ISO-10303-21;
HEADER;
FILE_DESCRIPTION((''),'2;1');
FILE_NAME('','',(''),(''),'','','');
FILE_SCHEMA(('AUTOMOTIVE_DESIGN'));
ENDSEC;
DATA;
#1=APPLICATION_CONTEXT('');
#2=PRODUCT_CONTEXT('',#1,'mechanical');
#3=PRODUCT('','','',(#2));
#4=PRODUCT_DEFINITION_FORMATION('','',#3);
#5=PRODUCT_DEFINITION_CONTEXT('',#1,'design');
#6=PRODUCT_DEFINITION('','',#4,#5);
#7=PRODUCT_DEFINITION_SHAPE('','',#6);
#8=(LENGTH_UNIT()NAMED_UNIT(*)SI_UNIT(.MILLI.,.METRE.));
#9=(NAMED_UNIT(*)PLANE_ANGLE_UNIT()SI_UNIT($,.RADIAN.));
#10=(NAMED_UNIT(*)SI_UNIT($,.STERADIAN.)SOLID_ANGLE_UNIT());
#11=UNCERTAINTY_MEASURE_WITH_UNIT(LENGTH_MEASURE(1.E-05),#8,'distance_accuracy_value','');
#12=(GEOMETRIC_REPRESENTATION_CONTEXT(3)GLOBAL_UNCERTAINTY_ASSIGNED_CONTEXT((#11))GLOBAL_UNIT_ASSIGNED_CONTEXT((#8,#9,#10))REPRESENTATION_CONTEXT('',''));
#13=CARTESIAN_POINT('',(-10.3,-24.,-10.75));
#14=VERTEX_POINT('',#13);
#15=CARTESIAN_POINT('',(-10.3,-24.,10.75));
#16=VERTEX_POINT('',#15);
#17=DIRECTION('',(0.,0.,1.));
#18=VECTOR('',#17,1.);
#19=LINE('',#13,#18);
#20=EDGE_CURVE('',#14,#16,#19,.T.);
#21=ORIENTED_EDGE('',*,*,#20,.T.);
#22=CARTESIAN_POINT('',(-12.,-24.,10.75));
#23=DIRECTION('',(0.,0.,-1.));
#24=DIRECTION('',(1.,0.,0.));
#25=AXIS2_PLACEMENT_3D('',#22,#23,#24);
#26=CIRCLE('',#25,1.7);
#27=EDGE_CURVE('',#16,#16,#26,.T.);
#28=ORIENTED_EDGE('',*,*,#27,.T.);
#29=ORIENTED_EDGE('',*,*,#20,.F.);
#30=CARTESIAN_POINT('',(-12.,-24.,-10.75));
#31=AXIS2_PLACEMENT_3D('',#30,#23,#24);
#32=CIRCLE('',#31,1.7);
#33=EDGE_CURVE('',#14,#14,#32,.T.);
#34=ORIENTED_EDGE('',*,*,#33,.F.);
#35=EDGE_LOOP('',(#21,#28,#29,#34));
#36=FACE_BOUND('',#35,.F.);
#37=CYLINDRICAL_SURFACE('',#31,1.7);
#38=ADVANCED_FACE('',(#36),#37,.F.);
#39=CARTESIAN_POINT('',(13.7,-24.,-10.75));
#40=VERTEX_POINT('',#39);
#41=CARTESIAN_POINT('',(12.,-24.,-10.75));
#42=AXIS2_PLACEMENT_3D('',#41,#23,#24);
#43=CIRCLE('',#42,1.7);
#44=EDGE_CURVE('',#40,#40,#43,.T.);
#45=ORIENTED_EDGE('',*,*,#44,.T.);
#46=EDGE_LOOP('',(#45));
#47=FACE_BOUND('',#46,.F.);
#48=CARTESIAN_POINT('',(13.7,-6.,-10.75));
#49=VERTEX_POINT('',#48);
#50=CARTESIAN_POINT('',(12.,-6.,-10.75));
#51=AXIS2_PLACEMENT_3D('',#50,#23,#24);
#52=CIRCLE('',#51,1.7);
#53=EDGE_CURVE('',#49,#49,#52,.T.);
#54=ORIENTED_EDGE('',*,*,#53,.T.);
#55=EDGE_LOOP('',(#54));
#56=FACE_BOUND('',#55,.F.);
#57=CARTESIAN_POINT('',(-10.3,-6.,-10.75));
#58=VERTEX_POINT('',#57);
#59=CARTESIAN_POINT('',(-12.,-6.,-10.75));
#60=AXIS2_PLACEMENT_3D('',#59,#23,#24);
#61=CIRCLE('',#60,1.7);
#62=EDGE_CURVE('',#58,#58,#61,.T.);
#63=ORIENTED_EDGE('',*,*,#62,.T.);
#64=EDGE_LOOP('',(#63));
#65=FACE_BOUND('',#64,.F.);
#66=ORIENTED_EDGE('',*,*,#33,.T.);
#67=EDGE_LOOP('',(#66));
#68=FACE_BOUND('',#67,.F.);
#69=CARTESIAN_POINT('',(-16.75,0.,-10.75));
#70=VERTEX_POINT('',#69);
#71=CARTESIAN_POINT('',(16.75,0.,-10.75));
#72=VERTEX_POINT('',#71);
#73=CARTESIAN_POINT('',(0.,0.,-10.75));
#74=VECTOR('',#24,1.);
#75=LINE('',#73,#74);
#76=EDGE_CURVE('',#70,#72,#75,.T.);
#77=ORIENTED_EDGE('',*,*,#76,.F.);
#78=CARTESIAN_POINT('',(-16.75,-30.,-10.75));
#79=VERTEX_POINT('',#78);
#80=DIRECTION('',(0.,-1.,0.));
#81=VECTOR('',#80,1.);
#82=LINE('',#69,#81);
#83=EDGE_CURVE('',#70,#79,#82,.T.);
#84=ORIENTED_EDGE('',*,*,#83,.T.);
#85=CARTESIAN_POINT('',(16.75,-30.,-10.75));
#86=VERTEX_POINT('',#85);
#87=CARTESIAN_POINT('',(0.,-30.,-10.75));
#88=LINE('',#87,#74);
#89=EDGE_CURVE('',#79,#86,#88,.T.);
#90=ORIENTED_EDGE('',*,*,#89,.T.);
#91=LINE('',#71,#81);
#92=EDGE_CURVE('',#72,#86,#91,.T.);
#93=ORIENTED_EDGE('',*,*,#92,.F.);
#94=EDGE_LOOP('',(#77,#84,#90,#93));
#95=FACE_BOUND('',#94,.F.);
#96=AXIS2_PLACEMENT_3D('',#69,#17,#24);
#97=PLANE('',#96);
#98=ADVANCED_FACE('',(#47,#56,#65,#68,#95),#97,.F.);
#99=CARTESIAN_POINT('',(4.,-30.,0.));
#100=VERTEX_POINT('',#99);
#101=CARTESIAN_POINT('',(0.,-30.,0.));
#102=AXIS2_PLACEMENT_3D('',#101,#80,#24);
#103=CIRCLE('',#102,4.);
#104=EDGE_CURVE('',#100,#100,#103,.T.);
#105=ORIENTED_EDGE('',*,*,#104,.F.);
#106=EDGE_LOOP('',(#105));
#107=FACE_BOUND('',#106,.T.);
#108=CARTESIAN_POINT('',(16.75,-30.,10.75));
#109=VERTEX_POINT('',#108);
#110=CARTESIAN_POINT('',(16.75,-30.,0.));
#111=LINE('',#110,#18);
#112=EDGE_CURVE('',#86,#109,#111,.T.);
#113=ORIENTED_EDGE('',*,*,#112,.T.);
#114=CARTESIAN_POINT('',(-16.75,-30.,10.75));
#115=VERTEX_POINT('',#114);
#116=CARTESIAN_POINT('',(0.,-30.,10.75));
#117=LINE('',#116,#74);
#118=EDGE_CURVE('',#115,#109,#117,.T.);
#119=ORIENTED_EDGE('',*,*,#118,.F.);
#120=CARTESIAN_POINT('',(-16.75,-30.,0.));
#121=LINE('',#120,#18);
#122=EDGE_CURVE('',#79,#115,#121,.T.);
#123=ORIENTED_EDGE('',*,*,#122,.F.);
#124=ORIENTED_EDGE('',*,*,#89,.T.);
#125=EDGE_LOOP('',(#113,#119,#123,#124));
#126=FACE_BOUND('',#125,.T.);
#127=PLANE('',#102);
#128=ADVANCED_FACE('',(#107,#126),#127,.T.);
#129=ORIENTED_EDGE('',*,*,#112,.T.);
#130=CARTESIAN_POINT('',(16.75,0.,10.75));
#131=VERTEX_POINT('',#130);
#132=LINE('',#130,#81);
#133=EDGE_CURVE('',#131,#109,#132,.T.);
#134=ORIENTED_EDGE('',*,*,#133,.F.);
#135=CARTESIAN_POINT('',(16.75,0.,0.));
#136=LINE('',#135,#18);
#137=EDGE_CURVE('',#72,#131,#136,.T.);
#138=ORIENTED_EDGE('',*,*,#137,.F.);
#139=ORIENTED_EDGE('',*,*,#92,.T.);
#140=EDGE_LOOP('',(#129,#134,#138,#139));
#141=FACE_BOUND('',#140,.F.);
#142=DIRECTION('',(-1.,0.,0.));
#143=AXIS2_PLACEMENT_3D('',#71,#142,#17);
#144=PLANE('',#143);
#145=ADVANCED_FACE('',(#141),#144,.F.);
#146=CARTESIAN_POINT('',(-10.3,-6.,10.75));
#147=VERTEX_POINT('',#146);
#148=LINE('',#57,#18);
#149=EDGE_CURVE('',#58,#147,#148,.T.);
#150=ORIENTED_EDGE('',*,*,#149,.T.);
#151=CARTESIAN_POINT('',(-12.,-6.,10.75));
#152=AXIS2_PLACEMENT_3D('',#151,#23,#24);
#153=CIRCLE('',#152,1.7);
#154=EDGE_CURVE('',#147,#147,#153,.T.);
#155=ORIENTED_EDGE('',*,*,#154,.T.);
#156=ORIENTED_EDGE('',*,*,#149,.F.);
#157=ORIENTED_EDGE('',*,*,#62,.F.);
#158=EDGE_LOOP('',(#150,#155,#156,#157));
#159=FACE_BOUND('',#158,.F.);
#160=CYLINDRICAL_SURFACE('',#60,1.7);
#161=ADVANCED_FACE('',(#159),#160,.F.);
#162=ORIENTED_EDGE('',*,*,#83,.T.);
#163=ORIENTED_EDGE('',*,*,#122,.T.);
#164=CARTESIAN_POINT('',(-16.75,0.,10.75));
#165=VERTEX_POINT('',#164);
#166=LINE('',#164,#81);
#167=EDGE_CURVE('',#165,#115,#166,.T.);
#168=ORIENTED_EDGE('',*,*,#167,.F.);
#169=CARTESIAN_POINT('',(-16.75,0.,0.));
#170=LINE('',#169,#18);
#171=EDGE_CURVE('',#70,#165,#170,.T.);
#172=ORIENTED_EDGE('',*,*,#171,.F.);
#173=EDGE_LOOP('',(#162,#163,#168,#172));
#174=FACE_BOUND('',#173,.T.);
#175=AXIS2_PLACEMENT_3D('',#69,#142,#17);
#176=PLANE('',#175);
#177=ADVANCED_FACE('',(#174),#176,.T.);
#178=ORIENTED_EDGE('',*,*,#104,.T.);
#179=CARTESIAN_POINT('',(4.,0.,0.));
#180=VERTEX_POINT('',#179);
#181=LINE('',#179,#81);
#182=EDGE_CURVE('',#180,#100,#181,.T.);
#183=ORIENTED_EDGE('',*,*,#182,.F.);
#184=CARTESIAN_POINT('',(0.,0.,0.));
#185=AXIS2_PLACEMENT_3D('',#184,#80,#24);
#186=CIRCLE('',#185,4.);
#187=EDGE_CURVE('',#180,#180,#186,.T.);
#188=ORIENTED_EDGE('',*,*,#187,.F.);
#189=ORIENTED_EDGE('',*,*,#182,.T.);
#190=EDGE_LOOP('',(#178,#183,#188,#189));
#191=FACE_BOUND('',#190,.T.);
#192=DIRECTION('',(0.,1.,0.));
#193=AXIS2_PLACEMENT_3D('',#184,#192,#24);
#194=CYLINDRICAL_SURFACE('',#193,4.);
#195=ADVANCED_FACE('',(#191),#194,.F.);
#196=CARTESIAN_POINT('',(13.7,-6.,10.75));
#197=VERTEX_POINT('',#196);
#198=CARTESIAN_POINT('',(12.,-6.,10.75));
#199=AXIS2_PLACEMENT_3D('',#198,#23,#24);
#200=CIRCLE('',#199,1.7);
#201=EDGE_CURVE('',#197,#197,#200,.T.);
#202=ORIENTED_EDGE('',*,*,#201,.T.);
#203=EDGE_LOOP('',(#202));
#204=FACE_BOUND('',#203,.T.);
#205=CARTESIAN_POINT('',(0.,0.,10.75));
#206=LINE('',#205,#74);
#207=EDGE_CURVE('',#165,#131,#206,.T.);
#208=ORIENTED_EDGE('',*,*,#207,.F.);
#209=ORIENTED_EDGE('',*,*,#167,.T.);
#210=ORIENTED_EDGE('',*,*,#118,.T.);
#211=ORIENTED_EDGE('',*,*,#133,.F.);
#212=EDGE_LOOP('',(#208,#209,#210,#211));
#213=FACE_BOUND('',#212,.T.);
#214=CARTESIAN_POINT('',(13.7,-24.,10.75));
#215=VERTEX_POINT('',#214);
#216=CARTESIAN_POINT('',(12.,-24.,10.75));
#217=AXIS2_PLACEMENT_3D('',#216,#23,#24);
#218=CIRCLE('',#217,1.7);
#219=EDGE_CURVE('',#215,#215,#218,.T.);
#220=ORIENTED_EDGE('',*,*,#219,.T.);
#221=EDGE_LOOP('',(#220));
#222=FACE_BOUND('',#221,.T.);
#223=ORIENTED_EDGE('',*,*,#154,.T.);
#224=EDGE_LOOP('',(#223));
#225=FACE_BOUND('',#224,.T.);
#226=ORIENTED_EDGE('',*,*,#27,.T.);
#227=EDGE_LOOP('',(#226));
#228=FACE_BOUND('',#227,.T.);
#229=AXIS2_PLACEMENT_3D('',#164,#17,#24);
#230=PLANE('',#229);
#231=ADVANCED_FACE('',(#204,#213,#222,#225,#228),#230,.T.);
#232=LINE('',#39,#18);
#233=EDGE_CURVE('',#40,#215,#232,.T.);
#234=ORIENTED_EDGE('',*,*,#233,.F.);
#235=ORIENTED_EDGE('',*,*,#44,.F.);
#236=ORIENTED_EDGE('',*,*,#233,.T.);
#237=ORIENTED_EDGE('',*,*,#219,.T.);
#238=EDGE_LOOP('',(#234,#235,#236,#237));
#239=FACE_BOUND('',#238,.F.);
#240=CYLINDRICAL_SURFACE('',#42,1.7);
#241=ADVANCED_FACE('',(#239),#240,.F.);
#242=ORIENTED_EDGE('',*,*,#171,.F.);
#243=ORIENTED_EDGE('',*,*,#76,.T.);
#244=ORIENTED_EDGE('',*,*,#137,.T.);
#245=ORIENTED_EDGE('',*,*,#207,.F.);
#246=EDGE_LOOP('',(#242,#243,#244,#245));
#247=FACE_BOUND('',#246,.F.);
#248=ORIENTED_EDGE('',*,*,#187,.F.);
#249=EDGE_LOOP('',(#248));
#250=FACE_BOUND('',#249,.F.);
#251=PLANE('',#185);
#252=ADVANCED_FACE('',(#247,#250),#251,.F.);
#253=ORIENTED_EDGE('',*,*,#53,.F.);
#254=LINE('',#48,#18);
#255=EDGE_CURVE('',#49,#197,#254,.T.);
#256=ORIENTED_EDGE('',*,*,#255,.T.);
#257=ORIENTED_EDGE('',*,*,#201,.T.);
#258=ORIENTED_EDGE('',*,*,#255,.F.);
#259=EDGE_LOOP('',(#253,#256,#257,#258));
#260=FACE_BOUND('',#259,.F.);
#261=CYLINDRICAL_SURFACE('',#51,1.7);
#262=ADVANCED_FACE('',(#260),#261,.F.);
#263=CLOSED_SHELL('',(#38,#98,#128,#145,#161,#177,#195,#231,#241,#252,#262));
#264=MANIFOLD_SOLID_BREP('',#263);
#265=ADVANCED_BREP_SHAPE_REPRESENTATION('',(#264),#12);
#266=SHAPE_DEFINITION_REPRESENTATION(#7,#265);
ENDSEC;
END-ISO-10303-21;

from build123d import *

# Parameters (mm, degrees)
SKETCH_W     = 33.5
SKETCH_H     = 21.5
SKETCH_R     = 4
PAD_DEPTH    = 30
SKETCH001_R  = 1.7
POCKET_DEPTH = 21.501


with BuildPart() as part:
    # Sketch → Pad (new body)
    with BuildSketch(Plane.XZ):
        Rectangle(SKETCH_W, SKETCH_H)
        Circle(SKETCH_R, mode=Mode.SUBTRACT)
    extrude(amount=PAD_DEPTH)

    # Sketch001 → Pocket (cut, through all)
    with BuildSketch(Plane(origin=(0, 0, -10.75), x_dir=(1, 0, 0), z_dir=(0, 0, -1))):
        with Locations((-12, 24)):
            Circle(SKETCH001_R)
        with Locations((12, 24)):
            Circle(SKETCH001_R)
        with Locations((12, 6)):
            Circle(SKETCH001_R)
        with Locations((-12, 6)):
            Circle(SKETCH001_R)
    extrude(amount=-POCKET_DEPTH, mode=Mode.SUBTRACT)


solid = part.part
